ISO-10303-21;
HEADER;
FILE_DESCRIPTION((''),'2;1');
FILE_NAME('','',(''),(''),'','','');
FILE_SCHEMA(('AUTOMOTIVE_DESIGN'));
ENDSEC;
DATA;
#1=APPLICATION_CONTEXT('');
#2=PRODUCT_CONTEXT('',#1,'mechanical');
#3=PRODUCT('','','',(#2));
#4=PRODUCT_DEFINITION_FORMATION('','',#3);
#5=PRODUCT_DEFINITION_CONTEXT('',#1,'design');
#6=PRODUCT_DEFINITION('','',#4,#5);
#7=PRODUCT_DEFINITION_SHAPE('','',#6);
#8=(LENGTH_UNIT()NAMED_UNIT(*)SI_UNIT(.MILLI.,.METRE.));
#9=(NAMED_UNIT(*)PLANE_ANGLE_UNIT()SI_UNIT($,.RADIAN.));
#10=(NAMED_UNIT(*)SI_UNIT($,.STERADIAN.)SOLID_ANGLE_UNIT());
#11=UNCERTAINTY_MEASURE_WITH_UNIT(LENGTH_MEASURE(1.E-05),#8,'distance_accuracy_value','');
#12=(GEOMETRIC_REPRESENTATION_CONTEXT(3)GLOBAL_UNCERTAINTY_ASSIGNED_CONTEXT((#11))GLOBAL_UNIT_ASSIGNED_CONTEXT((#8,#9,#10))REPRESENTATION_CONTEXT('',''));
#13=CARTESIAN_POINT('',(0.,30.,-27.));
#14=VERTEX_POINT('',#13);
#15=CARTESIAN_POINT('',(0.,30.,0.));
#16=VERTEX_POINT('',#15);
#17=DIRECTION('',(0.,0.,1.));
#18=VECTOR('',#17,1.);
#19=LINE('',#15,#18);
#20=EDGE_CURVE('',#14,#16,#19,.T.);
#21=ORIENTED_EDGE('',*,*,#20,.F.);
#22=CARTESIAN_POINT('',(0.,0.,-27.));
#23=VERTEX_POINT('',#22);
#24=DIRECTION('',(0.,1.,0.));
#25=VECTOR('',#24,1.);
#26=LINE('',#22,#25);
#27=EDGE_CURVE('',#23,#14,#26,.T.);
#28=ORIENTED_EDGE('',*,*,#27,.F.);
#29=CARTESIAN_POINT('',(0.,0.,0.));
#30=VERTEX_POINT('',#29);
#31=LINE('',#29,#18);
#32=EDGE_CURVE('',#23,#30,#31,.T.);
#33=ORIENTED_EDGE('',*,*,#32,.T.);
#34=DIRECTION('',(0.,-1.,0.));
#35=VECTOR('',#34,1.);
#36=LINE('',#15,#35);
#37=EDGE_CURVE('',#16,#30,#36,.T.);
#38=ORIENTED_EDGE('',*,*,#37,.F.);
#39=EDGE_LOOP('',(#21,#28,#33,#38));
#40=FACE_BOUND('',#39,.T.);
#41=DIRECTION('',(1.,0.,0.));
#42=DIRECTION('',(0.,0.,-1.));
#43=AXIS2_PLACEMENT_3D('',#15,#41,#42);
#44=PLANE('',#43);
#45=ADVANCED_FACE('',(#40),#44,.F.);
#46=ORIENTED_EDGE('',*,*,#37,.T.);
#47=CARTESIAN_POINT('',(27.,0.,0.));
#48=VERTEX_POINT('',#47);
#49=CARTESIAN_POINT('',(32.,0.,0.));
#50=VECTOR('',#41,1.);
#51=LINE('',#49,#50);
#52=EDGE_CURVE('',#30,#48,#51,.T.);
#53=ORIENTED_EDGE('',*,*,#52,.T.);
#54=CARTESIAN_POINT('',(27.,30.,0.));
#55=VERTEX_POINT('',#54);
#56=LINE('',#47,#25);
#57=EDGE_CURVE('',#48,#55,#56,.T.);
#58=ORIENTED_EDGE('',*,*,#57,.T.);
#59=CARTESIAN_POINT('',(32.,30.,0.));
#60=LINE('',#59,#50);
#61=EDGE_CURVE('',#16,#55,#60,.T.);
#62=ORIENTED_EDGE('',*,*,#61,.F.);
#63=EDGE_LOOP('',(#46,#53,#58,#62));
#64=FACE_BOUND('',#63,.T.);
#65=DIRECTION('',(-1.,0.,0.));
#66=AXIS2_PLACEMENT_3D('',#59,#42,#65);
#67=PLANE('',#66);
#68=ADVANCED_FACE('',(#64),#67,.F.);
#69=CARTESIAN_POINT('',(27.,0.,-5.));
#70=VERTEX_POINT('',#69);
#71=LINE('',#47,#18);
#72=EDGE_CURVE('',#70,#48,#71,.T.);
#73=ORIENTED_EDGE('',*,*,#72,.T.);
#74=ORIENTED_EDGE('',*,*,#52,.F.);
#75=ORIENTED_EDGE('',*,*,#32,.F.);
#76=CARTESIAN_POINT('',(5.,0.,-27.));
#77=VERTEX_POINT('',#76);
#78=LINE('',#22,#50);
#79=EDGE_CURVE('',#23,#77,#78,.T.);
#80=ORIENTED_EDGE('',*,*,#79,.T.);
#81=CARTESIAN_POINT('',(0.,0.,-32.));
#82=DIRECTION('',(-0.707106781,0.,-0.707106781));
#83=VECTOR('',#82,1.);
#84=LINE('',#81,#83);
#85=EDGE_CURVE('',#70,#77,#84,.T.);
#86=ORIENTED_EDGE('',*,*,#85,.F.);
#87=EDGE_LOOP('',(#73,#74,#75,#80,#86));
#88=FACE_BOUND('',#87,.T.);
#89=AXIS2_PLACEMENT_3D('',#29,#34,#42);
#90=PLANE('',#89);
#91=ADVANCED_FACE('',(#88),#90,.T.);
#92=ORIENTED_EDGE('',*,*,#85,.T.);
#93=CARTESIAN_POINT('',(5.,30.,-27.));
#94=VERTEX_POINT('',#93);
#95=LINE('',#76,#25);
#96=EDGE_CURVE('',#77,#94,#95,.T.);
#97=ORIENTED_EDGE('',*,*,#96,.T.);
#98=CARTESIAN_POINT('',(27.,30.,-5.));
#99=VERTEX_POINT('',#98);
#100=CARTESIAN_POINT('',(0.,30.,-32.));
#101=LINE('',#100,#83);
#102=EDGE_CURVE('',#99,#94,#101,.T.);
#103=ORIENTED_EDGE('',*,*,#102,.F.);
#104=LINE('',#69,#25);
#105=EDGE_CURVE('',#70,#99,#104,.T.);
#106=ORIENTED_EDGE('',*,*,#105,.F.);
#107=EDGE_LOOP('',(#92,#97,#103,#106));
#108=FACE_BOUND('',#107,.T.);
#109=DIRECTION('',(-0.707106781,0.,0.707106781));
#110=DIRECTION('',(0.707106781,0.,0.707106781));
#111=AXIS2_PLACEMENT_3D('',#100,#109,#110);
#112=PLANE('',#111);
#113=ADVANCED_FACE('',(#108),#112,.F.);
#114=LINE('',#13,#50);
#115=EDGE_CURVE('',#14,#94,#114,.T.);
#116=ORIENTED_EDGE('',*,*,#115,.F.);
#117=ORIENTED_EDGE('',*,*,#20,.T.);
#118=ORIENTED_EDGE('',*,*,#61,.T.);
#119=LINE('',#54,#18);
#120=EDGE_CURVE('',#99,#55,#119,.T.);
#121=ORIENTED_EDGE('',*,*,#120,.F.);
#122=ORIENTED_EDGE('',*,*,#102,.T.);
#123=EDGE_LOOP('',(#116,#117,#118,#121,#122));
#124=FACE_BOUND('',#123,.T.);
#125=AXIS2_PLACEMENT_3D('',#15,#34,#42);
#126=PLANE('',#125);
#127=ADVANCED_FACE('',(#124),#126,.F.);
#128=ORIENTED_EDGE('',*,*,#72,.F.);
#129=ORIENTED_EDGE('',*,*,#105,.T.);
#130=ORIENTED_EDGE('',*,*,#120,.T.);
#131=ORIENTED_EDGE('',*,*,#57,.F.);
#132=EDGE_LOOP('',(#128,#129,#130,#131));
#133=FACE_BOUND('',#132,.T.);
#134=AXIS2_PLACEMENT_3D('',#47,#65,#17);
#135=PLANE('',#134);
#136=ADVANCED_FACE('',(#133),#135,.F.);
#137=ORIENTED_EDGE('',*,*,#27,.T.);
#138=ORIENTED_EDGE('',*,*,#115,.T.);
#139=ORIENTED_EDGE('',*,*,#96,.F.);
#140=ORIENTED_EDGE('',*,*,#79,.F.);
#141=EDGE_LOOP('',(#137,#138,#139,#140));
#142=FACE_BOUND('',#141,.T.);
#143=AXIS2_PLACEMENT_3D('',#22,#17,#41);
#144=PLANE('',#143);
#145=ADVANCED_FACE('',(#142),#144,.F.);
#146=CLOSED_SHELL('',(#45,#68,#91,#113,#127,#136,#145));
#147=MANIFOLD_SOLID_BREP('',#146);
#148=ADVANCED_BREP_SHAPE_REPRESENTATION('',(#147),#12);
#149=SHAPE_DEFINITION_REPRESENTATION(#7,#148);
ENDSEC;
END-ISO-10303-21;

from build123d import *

# Parameters (mm, degrees)
BOSS_EXTRUDE1_DEPTH = 30
CUT_EXTRUDE1_DEPTH  = 31


with BuildPart() as part:
    # Sketch1 → Boss-Extrude1 (new body)
    with BuildSketch(Plane(origin=(0, 0, 0), x_dir=(1, 0, 0), z_dir=(0, 1, 0))):
        Polygon((0, 0), (0, 32), (32, 0), align=None)
    extrude(amount=BOSS_EXTRUDE1_DEPTH)

    # Sketch2 → Cut-Extrude1 (cut, through all)
    with BuildSketch(Plane(origin=(0, 30, 0), x_dir=(1, 0, 0), z_dir=(0, 1, 0))):
        Polygon((0, 27), (5, 27), (0, 32), align=None)
        Polygon((27, 0), (32, 0), (27, 5), align=None)
    extrude(amount=-CUT_EXTRUDE1_DEPTH, mode=Mode.SUBTRACT)


solid = part.part
